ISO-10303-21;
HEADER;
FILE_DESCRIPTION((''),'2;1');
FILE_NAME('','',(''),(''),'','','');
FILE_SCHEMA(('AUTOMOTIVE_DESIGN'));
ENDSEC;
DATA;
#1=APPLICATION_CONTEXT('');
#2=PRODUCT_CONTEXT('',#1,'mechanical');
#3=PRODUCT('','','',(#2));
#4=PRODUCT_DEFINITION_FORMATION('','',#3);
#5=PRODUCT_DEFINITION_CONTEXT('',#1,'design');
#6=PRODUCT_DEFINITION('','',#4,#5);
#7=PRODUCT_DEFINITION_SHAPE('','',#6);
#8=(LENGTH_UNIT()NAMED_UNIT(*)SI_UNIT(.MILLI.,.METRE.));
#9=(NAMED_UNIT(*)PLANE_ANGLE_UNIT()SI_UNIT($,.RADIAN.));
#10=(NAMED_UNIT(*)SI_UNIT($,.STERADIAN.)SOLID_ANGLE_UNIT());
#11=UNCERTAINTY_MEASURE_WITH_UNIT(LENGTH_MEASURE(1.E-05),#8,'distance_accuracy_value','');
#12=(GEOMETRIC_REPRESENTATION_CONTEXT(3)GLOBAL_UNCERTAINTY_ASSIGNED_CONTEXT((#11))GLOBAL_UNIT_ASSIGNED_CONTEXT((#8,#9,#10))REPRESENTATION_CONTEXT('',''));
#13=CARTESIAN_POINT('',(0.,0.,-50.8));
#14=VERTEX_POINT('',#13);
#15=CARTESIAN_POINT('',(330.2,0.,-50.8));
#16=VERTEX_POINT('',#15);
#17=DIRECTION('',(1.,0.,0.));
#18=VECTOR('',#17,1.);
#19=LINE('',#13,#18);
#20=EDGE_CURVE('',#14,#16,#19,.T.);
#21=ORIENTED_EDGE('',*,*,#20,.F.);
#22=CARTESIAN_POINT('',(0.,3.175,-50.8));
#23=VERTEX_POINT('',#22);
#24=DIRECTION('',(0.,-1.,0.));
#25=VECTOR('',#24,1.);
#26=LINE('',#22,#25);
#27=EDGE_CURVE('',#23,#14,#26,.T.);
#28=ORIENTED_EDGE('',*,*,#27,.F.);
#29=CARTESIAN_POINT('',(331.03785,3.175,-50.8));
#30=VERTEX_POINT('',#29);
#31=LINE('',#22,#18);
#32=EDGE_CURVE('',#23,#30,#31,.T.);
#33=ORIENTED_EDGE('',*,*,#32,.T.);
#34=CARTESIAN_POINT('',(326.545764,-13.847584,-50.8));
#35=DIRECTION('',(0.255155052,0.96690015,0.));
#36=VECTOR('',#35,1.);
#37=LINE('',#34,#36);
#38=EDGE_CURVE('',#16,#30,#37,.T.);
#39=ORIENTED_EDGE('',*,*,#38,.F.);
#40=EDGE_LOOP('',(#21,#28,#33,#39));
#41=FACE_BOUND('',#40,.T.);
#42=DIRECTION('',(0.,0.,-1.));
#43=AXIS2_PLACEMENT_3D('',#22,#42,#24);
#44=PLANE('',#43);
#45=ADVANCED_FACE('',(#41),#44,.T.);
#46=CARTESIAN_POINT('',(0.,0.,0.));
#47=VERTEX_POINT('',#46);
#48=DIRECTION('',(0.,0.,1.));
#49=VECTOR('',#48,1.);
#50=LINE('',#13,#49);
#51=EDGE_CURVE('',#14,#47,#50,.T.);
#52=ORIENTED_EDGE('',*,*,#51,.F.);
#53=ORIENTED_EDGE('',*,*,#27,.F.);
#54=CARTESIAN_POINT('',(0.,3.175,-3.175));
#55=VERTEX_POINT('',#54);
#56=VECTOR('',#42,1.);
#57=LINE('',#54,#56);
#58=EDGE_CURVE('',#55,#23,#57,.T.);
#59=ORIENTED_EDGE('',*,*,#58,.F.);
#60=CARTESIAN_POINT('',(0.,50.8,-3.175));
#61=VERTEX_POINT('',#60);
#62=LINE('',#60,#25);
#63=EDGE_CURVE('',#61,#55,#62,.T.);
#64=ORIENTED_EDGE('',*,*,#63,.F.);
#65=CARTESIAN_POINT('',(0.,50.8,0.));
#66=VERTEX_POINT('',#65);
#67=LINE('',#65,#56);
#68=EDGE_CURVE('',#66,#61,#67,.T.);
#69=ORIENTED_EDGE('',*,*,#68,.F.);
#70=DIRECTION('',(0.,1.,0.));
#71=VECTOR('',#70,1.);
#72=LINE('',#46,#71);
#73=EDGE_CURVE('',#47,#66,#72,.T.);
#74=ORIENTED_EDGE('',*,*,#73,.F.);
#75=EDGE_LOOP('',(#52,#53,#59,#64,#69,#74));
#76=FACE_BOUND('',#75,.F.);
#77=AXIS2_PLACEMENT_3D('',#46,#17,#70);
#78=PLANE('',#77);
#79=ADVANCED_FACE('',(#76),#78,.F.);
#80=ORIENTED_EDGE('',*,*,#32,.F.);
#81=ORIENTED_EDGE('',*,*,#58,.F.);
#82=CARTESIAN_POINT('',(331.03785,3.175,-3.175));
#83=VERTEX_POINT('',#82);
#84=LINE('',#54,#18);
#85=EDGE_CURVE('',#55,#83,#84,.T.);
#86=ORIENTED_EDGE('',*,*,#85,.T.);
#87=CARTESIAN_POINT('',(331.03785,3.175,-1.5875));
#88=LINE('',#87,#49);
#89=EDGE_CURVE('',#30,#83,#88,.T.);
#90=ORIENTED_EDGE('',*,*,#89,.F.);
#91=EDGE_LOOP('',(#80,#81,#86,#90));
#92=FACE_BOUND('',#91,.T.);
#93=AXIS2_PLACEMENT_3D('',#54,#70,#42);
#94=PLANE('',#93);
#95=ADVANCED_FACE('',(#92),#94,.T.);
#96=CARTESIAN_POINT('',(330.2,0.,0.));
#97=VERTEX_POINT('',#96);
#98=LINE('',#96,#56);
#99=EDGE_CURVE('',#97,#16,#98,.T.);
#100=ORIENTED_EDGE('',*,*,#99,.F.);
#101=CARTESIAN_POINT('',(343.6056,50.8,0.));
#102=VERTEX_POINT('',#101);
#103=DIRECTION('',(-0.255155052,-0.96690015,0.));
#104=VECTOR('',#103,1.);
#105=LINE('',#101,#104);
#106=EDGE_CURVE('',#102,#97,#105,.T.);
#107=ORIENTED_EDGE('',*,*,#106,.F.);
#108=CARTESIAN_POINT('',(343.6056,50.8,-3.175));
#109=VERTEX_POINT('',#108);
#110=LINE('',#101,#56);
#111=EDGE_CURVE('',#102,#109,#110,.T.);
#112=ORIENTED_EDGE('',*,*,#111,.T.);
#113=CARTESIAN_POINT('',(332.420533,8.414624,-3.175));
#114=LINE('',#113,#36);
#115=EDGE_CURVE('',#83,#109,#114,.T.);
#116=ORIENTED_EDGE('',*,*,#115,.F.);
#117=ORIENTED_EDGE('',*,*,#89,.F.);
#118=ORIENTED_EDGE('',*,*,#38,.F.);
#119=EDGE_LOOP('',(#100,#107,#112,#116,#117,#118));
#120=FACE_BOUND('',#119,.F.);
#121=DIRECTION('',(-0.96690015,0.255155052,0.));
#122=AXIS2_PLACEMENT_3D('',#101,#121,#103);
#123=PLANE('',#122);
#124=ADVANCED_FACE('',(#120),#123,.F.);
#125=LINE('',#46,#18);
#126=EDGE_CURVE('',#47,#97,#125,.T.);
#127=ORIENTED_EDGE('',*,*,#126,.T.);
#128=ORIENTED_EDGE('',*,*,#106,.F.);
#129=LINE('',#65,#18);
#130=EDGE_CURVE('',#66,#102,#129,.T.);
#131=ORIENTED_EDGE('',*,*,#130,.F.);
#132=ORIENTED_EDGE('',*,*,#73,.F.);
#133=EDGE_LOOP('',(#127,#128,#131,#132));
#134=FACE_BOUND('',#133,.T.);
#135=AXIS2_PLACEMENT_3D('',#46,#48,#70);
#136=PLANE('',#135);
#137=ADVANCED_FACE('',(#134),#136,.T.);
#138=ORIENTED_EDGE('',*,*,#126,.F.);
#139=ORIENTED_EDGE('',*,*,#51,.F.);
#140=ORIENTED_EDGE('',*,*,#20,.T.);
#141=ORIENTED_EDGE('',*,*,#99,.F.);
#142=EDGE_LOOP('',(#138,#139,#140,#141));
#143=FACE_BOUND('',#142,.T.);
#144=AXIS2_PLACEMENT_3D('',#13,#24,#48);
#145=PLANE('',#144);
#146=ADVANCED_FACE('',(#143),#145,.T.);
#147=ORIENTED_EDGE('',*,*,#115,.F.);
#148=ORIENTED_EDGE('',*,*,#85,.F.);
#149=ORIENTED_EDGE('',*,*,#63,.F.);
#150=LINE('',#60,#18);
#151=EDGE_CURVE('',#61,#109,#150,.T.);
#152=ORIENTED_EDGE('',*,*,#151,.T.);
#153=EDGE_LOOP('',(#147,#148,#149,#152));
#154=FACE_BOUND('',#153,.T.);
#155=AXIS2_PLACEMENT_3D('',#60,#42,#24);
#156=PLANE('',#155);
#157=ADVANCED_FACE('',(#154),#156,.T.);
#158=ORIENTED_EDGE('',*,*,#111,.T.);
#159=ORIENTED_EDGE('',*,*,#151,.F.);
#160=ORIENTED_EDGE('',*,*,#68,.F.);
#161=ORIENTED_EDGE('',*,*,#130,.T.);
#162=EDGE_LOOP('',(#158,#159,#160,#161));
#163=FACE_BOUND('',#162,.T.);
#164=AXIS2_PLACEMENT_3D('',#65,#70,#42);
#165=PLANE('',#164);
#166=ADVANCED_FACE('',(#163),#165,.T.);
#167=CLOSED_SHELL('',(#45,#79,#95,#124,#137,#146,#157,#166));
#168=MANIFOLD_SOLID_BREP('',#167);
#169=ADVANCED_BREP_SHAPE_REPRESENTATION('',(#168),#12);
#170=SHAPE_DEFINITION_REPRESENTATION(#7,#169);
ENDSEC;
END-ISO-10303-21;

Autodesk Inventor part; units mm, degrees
ref_plane "YZ Plane" through (0, 0, 0) normal (1, 0, 0) x (0, 1, 0)
ref_plane "XZ Plane" through (0, 0, 0) normal (0, 1, 0) x (-1, 0, 0)
ref_plane "XY Plane" through (0, 0, 0) normal (0, 0, 1) x (1, 0, 0)
sketch "Sketch1" plane through (0, 0, 0) normal (1, 0, 0) x (0, 1, 0)
  line L0 (0, 0) -> (50.8, 0)
  line L1 (50.8, 0) -> (50.8, -3.175)
  line L2 (50.8, -3.175) -> (3.175, -3.175)
  line L3 (3.175, -3.175) -> (3.175, -50.8)
  line L4 (3.175, -50.8) -> (0, -50.8)
  line L5 (0, -50.8) -> (0, 0)
  dimension "d1" = 50.8
  dimension "d2" = 3.175
  dimension "d3" = 47.625
  dimension "d4" = 47.625
  dimension "d5" = 3.175
extrude "Extrusion1" add sketch "Sketch1" along normal blind 381
sketch "Sketch2" plane through (0, 0, 0) normal (0, 0, 1) x (1, 0, 0)
  line L0 (381, 0) -> (330.2, 0)
  line L1 (0, 0) -> (381, 0) projected
  line L2 (330.2, 1828.8) -> (812.8, 1828.8)
  line L3 (343.6056, 50.8) -> (330.2, 0)
  line L4 (381, 0) -> (381, 50.8)
  line L5 (381, 50.8) -> (381, 0) projected
  line L6 (381, 50.8) -> (343.6056, 50.8)
  line L7 (0, 50.8) -> (381, 50.8) projected
  dimension "d9" = 50.8
  dimension "d10" = 1828.8
  dimension "d11" = 482.6
extrude "Extrusion2" cut sketch "Sketch2" against normal blind 381
properties part number "Top Frame Left"
